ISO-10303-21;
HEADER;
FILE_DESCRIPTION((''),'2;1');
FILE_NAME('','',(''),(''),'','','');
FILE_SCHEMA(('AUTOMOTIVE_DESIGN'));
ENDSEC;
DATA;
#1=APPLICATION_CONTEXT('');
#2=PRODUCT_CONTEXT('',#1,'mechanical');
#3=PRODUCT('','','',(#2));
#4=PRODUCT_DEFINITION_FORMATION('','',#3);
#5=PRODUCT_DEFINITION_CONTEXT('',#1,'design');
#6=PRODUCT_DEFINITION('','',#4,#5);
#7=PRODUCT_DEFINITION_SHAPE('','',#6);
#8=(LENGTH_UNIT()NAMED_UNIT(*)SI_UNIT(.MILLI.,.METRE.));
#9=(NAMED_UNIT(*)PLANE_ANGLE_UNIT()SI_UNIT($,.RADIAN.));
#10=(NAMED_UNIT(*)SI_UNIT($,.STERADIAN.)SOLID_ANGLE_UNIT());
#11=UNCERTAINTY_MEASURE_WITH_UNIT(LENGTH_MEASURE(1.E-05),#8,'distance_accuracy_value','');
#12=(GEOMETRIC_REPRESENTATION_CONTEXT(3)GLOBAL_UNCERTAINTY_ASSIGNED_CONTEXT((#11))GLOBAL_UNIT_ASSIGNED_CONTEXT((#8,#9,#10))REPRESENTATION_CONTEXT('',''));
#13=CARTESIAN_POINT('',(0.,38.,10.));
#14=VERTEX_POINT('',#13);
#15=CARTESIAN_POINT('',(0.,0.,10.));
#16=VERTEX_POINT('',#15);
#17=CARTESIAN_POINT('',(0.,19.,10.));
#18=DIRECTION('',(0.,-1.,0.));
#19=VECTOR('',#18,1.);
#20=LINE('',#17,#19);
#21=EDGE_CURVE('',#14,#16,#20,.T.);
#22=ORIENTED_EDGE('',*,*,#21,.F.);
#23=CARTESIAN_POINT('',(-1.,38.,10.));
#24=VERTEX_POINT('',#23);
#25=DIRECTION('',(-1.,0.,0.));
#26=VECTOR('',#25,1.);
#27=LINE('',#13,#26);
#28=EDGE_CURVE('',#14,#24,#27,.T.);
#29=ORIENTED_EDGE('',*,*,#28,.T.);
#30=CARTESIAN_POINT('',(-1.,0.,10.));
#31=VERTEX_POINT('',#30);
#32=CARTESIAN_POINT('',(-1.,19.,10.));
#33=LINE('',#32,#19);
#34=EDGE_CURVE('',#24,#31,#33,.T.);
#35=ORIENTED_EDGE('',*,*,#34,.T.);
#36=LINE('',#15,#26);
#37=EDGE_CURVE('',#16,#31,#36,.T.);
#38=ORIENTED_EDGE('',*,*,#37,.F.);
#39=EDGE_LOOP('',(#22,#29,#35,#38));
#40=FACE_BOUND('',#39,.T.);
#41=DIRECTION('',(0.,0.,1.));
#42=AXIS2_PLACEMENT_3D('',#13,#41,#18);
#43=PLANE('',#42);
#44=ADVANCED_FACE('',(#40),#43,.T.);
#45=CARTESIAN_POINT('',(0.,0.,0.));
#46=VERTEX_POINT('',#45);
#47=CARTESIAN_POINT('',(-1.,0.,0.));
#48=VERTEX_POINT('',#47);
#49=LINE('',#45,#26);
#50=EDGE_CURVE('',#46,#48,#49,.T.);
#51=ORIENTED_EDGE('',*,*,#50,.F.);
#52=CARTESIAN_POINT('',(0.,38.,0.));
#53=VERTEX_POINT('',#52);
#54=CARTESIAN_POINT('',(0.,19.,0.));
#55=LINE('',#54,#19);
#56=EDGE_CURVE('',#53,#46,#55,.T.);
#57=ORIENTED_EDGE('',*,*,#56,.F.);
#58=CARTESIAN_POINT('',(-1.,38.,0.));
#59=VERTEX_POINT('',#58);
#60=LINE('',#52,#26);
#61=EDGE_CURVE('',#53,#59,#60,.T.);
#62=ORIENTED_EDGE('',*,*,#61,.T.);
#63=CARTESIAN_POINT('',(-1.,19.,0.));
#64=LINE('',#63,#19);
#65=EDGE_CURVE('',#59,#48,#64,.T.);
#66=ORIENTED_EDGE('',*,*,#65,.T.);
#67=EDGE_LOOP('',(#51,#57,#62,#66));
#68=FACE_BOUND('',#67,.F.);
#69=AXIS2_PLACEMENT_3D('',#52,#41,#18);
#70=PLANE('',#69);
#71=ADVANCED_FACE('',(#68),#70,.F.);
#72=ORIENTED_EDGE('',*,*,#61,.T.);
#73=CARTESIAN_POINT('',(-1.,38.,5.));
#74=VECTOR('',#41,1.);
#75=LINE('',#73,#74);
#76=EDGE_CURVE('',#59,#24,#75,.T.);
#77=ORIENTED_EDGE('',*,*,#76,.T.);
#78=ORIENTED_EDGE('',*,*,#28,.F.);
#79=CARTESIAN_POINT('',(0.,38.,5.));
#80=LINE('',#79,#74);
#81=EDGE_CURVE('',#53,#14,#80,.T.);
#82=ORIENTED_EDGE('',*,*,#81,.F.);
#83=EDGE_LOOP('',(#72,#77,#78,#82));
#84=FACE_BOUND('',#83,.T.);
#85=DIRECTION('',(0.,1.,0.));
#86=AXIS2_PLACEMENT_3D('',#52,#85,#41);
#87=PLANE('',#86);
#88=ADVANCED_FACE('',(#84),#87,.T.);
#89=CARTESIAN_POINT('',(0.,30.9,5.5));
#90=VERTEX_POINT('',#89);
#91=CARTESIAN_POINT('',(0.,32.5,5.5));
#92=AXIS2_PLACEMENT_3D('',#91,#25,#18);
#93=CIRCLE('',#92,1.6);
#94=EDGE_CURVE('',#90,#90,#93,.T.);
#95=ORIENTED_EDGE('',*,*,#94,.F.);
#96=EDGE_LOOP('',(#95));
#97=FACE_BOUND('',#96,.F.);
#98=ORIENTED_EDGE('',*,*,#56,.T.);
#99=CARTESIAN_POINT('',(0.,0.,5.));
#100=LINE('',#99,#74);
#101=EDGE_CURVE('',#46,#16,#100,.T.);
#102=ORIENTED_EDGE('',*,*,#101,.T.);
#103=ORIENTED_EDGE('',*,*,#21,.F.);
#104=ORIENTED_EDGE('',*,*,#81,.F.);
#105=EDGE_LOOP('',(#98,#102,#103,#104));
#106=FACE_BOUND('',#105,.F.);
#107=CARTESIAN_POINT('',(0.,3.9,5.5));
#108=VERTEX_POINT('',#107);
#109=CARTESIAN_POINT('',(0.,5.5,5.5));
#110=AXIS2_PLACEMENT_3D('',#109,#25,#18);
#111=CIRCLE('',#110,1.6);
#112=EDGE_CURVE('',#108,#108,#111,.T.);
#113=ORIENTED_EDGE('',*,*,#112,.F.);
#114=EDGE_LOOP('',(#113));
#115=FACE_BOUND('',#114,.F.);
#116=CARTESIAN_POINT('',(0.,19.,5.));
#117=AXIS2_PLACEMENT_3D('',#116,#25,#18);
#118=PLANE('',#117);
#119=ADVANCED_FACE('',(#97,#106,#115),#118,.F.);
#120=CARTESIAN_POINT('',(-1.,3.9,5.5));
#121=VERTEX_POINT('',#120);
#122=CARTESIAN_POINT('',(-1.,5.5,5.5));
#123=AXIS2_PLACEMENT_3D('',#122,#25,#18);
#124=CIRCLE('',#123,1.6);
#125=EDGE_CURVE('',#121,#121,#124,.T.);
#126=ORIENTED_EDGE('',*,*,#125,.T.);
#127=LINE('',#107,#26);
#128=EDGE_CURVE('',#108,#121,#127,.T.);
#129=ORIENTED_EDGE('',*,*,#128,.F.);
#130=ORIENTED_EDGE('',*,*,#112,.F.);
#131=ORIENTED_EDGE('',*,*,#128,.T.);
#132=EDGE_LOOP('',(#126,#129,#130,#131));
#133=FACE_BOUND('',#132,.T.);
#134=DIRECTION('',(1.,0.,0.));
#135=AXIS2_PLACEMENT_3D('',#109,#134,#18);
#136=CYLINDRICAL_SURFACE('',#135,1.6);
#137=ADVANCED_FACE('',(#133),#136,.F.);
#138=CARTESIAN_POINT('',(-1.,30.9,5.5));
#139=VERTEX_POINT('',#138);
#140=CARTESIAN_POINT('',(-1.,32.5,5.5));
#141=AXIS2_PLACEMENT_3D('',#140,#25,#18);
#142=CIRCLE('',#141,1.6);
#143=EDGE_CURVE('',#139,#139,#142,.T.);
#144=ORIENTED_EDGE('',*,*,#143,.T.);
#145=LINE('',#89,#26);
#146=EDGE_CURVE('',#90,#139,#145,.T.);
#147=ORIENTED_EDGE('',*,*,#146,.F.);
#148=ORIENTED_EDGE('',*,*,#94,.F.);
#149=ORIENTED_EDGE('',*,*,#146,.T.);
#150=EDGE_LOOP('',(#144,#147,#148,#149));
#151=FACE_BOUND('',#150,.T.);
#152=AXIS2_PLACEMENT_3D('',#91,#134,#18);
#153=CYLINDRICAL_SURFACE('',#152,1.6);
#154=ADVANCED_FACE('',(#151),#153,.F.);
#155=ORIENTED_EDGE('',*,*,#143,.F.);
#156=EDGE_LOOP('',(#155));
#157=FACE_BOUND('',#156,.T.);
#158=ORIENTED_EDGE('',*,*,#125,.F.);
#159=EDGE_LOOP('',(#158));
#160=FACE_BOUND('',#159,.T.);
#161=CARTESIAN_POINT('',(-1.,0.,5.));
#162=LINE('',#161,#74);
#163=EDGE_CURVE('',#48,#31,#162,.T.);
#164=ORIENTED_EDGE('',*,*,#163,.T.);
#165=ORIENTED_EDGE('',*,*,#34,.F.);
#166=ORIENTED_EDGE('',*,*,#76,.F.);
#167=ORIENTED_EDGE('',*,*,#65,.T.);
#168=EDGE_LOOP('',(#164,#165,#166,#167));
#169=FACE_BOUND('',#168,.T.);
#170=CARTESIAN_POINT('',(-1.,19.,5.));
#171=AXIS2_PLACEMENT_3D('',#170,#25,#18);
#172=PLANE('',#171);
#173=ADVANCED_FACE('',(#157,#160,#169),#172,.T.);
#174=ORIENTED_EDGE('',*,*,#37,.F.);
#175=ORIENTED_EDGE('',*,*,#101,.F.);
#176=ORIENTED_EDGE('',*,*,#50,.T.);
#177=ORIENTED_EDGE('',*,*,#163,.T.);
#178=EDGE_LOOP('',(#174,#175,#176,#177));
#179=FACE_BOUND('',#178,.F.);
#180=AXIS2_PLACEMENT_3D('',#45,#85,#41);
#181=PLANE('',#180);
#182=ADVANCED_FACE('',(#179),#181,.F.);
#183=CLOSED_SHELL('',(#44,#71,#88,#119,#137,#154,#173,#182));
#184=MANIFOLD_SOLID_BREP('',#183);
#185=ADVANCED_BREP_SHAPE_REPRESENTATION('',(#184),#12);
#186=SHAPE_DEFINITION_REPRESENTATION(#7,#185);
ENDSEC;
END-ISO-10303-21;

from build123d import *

# Parameters (mm, degrees)
SKETCH002_W = 38
SKETCH002_H = 10
SKETCH002_R = 1.6
PAD_DEPTH   = 1


with BuildPart() as part:
    # Sketch002 → Pad (new body)
    with BuildSketch(Plane(origin=(0, 0, 0), x_dir=(0, -1, 0), z_dir=(-1, 0, 0))):
        with Locations((-19, 5)):
            Rectangle(SKETCH002_W, SKETCH002_H)
        with Locations((-5.5, 5.5)):
            Circle(SKETCH002_R, mode=Mode.SUBTRACT)
        with Locations((-32.5, 5.5)):
            Circle(SKETCH002_R, mode=Mode.SUBTRACT)
    extrude(amount=PAD_DEPTH)


solid = part.part
